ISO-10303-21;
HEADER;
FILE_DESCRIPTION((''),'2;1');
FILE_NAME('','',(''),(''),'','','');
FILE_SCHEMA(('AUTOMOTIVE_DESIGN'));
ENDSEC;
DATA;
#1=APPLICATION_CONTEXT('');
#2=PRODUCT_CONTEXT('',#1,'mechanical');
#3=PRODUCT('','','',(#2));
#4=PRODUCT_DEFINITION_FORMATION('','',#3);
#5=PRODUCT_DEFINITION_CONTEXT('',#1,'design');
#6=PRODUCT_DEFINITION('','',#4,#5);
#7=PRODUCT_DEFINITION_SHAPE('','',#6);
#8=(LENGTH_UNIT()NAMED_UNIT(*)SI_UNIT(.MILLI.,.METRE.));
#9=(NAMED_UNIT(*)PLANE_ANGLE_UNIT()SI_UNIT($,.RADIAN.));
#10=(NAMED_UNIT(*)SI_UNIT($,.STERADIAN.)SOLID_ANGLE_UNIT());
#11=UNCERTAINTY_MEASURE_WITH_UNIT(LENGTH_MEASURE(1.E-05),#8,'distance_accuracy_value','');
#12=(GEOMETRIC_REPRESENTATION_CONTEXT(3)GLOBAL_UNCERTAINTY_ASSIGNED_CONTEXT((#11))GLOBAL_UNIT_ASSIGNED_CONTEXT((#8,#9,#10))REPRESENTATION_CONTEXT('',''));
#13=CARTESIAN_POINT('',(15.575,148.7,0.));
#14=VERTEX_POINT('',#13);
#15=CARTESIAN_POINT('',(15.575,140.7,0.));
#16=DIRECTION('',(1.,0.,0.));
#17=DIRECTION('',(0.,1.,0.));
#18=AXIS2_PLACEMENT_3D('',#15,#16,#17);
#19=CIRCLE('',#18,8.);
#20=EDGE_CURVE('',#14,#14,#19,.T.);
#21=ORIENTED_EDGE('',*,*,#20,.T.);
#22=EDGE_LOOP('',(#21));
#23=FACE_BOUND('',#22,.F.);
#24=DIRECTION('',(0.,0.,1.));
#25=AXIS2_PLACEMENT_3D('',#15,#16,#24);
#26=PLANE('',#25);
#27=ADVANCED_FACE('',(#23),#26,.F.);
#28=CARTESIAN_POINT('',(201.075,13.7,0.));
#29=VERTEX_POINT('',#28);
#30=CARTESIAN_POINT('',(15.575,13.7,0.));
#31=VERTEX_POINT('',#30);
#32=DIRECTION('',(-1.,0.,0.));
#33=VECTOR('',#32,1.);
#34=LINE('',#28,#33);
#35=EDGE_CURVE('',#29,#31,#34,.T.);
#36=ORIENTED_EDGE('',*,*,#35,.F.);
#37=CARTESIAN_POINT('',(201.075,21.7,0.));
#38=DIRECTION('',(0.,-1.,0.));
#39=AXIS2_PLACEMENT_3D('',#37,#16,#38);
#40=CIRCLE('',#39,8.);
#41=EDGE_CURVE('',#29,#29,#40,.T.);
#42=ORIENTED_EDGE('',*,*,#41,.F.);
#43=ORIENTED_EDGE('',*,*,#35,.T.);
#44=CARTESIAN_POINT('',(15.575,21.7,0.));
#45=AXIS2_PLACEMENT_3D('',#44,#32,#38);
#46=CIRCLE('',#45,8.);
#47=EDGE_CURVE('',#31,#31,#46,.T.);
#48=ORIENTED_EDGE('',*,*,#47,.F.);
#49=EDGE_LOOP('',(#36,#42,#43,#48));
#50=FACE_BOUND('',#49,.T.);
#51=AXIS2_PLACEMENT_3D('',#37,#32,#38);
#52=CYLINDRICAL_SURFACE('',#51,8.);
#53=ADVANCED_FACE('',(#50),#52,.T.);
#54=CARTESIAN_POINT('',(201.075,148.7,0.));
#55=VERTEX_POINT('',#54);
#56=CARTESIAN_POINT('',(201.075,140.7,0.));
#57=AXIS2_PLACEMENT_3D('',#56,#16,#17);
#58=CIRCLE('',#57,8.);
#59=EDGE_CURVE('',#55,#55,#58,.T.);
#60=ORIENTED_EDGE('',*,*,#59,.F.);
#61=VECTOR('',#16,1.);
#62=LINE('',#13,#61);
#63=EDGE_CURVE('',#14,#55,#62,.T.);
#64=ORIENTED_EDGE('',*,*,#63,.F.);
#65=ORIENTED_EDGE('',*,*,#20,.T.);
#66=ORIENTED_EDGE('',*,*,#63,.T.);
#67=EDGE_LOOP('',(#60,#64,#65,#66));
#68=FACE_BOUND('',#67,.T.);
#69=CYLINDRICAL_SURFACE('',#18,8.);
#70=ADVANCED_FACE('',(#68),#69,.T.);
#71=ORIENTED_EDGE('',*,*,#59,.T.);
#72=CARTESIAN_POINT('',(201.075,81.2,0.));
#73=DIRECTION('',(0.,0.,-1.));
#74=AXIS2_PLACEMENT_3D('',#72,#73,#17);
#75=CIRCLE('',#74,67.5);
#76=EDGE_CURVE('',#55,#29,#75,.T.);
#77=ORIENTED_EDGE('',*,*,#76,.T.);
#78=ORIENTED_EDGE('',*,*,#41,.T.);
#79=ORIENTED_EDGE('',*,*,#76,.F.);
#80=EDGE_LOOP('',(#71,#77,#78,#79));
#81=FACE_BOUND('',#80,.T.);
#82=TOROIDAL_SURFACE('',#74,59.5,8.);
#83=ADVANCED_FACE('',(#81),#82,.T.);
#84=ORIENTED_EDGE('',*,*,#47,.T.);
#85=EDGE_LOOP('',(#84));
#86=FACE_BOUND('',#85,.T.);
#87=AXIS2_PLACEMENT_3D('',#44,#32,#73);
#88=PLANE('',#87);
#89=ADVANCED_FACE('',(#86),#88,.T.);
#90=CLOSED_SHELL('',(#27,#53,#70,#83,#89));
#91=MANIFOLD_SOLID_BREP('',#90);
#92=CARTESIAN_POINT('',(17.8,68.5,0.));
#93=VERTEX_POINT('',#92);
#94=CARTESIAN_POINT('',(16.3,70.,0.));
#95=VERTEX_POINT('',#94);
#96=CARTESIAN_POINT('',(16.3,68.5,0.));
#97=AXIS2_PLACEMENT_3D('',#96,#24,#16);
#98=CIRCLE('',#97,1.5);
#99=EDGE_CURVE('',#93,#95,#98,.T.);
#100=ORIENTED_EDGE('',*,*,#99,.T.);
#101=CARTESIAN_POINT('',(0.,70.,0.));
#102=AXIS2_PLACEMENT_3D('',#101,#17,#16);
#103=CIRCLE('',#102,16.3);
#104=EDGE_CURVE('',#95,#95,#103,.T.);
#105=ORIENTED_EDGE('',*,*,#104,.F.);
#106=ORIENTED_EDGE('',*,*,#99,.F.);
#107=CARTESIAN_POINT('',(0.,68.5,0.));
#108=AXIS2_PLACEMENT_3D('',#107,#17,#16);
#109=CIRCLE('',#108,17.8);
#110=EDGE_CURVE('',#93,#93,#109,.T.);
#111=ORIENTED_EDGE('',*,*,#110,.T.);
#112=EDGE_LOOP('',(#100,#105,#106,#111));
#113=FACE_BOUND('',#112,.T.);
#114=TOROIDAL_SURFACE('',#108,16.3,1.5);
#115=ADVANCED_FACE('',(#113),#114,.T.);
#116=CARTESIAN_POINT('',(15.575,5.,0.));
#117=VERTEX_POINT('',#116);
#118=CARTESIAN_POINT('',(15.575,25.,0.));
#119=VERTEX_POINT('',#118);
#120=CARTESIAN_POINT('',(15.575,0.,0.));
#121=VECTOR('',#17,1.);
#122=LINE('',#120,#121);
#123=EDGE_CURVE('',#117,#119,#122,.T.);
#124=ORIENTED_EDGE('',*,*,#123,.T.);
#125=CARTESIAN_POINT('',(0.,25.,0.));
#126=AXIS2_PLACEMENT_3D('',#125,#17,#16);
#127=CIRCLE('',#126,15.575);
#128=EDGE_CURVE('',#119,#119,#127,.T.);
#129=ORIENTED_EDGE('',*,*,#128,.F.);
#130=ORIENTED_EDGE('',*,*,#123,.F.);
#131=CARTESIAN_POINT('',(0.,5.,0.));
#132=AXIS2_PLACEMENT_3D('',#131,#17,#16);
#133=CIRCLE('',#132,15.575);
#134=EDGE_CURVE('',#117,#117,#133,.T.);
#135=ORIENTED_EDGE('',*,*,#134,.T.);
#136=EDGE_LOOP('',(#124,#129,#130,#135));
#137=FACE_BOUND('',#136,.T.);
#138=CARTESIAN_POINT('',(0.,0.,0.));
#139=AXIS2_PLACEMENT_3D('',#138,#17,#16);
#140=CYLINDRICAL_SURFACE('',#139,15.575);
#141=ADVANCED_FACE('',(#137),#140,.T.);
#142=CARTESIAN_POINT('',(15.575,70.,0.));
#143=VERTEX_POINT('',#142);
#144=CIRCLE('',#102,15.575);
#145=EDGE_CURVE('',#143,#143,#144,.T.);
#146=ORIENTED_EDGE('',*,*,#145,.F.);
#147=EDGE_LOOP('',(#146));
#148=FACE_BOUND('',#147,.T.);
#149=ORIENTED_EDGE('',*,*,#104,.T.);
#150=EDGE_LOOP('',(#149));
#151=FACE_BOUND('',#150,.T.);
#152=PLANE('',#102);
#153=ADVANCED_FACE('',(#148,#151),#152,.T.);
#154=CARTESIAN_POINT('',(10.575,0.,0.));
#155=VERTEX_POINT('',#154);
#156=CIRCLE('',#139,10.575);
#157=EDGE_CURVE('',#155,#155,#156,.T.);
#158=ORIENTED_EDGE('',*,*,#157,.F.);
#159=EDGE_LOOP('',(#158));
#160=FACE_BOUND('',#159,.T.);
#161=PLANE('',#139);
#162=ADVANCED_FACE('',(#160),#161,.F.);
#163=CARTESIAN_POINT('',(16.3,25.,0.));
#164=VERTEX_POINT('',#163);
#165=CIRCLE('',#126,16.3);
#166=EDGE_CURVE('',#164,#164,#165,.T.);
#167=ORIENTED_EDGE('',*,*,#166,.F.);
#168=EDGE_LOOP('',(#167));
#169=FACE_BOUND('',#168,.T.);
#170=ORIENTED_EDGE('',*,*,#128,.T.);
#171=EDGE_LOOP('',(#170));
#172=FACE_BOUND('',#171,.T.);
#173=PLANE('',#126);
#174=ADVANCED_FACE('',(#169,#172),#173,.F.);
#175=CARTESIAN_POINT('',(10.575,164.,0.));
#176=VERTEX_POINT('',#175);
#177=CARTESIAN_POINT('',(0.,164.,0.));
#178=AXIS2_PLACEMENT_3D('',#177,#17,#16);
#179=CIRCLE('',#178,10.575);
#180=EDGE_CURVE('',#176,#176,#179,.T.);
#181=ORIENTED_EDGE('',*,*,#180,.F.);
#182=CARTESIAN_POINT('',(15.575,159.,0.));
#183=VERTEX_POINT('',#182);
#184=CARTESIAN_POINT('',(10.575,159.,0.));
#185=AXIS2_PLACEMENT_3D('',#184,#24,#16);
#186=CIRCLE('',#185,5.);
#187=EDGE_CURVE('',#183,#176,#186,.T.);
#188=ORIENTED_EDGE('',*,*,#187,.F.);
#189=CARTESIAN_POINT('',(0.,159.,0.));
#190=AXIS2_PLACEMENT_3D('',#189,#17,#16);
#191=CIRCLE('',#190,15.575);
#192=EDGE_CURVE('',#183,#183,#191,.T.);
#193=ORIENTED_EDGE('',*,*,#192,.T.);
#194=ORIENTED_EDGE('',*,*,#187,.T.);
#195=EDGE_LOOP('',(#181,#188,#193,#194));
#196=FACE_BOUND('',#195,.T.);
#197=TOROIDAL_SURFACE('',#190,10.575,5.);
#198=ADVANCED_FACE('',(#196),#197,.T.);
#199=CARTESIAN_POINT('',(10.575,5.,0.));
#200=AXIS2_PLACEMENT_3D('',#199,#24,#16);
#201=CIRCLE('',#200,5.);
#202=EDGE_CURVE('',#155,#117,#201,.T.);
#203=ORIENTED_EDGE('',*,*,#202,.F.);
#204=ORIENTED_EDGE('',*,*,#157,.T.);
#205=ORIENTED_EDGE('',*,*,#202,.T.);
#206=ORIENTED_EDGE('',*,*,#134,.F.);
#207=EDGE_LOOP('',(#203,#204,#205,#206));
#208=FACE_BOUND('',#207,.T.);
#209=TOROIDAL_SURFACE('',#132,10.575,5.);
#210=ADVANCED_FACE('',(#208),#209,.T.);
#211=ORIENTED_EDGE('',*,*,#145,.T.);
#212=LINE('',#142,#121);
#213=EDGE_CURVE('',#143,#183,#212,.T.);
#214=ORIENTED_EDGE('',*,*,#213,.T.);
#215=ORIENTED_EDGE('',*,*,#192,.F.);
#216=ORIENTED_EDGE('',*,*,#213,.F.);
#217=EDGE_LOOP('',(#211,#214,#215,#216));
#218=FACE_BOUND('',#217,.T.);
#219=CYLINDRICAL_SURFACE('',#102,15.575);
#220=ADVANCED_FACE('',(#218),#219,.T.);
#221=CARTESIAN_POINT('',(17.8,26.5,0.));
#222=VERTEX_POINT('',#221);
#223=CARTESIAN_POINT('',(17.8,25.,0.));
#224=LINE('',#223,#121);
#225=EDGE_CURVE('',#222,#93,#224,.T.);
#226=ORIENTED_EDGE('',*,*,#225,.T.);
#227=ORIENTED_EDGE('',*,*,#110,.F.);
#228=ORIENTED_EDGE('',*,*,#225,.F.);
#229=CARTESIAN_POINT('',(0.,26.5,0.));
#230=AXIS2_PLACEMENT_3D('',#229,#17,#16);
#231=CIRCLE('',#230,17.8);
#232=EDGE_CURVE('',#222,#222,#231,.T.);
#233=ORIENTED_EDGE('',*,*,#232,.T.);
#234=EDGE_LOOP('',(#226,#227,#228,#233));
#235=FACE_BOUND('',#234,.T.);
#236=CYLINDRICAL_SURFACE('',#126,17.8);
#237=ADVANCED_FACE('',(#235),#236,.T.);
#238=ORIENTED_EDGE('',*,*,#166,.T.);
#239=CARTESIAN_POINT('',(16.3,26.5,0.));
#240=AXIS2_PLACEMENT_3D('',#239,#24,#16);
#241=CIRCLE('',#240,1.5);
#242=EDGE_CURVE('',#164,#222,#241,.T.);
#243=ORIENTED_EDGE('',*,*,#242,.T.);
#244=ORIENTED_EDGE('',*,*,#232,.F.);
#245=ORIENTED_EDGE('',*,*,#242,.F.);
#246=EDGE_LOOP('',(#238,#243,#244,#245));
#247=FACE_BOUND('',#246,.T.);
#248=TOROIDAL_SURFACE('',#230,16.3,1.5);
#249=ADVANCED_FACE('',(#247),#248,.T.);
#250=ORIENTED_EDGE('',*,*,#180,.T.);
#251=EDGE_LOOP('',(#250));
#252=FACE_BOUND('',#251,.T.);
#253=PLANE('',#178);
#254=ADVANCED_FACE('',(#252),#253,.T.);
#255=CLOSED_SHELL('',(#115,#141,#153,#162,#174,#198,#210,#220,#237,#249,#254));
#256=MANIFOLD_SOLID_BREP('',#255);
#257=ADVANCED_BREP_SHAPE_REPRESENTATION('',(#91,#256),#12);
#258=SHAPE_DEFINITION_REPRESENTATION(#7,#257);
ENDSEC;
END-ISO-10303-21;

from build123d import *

# Parameters (mm, degrees)
F2_R = 5
F3_R = 1.5
F6_R = 8


with BuildPart() as f1:
    # F0 (on Top) → F1 (revolve)
    with BuildSketch(Plane.XY):
        Polygon((0, 164), (0, 0), (15.575, 0), (15.575, 25), (17.8, 25), (17.8, 70), (15.575, 70), (15.575, 164), align=None)
    revolve(axis=Axis((0, 82, 0), (0, 1, 0)))

    # F2
    f2_edges = [f1.edges().sort_by_distance(p)[0] for p in [
        (-15.575, 164, 0),
        (-15.575, 0, 0),
    ]]
    fillet(f2_edges, radius=F2_R)

    # F3
    f3_edges = [f1.edges().sort_by_distance(p)[0] for p in [
        (-17.8, 70, 0),
        (-17.8, 25, 0),
    ]]
    fillet(f3_edges, radius=F3_R)


with BuildPart() as f7:
    # F7: sweep along a path in F4
    with BuildLine(Plane.XY) as f7_path:
        Line((15.575, 140.7), (201.075, 140.7))
        ThreePointArc((201.075, 140.7), (260.575, 81.2), (201.075, 21.7))
        Line((201.075, 21.7), (15.575, 21.7))
    # F6 (on plane+point) → F7 (sweep)
    with BuildSketch(Plane.YZ.offset(15.575)):
        with Locations((140.7, 0)):
            Circle(F6_R)
    sweep(path=f7_path.line)


solid = Compound([f1.part, f7.part])
